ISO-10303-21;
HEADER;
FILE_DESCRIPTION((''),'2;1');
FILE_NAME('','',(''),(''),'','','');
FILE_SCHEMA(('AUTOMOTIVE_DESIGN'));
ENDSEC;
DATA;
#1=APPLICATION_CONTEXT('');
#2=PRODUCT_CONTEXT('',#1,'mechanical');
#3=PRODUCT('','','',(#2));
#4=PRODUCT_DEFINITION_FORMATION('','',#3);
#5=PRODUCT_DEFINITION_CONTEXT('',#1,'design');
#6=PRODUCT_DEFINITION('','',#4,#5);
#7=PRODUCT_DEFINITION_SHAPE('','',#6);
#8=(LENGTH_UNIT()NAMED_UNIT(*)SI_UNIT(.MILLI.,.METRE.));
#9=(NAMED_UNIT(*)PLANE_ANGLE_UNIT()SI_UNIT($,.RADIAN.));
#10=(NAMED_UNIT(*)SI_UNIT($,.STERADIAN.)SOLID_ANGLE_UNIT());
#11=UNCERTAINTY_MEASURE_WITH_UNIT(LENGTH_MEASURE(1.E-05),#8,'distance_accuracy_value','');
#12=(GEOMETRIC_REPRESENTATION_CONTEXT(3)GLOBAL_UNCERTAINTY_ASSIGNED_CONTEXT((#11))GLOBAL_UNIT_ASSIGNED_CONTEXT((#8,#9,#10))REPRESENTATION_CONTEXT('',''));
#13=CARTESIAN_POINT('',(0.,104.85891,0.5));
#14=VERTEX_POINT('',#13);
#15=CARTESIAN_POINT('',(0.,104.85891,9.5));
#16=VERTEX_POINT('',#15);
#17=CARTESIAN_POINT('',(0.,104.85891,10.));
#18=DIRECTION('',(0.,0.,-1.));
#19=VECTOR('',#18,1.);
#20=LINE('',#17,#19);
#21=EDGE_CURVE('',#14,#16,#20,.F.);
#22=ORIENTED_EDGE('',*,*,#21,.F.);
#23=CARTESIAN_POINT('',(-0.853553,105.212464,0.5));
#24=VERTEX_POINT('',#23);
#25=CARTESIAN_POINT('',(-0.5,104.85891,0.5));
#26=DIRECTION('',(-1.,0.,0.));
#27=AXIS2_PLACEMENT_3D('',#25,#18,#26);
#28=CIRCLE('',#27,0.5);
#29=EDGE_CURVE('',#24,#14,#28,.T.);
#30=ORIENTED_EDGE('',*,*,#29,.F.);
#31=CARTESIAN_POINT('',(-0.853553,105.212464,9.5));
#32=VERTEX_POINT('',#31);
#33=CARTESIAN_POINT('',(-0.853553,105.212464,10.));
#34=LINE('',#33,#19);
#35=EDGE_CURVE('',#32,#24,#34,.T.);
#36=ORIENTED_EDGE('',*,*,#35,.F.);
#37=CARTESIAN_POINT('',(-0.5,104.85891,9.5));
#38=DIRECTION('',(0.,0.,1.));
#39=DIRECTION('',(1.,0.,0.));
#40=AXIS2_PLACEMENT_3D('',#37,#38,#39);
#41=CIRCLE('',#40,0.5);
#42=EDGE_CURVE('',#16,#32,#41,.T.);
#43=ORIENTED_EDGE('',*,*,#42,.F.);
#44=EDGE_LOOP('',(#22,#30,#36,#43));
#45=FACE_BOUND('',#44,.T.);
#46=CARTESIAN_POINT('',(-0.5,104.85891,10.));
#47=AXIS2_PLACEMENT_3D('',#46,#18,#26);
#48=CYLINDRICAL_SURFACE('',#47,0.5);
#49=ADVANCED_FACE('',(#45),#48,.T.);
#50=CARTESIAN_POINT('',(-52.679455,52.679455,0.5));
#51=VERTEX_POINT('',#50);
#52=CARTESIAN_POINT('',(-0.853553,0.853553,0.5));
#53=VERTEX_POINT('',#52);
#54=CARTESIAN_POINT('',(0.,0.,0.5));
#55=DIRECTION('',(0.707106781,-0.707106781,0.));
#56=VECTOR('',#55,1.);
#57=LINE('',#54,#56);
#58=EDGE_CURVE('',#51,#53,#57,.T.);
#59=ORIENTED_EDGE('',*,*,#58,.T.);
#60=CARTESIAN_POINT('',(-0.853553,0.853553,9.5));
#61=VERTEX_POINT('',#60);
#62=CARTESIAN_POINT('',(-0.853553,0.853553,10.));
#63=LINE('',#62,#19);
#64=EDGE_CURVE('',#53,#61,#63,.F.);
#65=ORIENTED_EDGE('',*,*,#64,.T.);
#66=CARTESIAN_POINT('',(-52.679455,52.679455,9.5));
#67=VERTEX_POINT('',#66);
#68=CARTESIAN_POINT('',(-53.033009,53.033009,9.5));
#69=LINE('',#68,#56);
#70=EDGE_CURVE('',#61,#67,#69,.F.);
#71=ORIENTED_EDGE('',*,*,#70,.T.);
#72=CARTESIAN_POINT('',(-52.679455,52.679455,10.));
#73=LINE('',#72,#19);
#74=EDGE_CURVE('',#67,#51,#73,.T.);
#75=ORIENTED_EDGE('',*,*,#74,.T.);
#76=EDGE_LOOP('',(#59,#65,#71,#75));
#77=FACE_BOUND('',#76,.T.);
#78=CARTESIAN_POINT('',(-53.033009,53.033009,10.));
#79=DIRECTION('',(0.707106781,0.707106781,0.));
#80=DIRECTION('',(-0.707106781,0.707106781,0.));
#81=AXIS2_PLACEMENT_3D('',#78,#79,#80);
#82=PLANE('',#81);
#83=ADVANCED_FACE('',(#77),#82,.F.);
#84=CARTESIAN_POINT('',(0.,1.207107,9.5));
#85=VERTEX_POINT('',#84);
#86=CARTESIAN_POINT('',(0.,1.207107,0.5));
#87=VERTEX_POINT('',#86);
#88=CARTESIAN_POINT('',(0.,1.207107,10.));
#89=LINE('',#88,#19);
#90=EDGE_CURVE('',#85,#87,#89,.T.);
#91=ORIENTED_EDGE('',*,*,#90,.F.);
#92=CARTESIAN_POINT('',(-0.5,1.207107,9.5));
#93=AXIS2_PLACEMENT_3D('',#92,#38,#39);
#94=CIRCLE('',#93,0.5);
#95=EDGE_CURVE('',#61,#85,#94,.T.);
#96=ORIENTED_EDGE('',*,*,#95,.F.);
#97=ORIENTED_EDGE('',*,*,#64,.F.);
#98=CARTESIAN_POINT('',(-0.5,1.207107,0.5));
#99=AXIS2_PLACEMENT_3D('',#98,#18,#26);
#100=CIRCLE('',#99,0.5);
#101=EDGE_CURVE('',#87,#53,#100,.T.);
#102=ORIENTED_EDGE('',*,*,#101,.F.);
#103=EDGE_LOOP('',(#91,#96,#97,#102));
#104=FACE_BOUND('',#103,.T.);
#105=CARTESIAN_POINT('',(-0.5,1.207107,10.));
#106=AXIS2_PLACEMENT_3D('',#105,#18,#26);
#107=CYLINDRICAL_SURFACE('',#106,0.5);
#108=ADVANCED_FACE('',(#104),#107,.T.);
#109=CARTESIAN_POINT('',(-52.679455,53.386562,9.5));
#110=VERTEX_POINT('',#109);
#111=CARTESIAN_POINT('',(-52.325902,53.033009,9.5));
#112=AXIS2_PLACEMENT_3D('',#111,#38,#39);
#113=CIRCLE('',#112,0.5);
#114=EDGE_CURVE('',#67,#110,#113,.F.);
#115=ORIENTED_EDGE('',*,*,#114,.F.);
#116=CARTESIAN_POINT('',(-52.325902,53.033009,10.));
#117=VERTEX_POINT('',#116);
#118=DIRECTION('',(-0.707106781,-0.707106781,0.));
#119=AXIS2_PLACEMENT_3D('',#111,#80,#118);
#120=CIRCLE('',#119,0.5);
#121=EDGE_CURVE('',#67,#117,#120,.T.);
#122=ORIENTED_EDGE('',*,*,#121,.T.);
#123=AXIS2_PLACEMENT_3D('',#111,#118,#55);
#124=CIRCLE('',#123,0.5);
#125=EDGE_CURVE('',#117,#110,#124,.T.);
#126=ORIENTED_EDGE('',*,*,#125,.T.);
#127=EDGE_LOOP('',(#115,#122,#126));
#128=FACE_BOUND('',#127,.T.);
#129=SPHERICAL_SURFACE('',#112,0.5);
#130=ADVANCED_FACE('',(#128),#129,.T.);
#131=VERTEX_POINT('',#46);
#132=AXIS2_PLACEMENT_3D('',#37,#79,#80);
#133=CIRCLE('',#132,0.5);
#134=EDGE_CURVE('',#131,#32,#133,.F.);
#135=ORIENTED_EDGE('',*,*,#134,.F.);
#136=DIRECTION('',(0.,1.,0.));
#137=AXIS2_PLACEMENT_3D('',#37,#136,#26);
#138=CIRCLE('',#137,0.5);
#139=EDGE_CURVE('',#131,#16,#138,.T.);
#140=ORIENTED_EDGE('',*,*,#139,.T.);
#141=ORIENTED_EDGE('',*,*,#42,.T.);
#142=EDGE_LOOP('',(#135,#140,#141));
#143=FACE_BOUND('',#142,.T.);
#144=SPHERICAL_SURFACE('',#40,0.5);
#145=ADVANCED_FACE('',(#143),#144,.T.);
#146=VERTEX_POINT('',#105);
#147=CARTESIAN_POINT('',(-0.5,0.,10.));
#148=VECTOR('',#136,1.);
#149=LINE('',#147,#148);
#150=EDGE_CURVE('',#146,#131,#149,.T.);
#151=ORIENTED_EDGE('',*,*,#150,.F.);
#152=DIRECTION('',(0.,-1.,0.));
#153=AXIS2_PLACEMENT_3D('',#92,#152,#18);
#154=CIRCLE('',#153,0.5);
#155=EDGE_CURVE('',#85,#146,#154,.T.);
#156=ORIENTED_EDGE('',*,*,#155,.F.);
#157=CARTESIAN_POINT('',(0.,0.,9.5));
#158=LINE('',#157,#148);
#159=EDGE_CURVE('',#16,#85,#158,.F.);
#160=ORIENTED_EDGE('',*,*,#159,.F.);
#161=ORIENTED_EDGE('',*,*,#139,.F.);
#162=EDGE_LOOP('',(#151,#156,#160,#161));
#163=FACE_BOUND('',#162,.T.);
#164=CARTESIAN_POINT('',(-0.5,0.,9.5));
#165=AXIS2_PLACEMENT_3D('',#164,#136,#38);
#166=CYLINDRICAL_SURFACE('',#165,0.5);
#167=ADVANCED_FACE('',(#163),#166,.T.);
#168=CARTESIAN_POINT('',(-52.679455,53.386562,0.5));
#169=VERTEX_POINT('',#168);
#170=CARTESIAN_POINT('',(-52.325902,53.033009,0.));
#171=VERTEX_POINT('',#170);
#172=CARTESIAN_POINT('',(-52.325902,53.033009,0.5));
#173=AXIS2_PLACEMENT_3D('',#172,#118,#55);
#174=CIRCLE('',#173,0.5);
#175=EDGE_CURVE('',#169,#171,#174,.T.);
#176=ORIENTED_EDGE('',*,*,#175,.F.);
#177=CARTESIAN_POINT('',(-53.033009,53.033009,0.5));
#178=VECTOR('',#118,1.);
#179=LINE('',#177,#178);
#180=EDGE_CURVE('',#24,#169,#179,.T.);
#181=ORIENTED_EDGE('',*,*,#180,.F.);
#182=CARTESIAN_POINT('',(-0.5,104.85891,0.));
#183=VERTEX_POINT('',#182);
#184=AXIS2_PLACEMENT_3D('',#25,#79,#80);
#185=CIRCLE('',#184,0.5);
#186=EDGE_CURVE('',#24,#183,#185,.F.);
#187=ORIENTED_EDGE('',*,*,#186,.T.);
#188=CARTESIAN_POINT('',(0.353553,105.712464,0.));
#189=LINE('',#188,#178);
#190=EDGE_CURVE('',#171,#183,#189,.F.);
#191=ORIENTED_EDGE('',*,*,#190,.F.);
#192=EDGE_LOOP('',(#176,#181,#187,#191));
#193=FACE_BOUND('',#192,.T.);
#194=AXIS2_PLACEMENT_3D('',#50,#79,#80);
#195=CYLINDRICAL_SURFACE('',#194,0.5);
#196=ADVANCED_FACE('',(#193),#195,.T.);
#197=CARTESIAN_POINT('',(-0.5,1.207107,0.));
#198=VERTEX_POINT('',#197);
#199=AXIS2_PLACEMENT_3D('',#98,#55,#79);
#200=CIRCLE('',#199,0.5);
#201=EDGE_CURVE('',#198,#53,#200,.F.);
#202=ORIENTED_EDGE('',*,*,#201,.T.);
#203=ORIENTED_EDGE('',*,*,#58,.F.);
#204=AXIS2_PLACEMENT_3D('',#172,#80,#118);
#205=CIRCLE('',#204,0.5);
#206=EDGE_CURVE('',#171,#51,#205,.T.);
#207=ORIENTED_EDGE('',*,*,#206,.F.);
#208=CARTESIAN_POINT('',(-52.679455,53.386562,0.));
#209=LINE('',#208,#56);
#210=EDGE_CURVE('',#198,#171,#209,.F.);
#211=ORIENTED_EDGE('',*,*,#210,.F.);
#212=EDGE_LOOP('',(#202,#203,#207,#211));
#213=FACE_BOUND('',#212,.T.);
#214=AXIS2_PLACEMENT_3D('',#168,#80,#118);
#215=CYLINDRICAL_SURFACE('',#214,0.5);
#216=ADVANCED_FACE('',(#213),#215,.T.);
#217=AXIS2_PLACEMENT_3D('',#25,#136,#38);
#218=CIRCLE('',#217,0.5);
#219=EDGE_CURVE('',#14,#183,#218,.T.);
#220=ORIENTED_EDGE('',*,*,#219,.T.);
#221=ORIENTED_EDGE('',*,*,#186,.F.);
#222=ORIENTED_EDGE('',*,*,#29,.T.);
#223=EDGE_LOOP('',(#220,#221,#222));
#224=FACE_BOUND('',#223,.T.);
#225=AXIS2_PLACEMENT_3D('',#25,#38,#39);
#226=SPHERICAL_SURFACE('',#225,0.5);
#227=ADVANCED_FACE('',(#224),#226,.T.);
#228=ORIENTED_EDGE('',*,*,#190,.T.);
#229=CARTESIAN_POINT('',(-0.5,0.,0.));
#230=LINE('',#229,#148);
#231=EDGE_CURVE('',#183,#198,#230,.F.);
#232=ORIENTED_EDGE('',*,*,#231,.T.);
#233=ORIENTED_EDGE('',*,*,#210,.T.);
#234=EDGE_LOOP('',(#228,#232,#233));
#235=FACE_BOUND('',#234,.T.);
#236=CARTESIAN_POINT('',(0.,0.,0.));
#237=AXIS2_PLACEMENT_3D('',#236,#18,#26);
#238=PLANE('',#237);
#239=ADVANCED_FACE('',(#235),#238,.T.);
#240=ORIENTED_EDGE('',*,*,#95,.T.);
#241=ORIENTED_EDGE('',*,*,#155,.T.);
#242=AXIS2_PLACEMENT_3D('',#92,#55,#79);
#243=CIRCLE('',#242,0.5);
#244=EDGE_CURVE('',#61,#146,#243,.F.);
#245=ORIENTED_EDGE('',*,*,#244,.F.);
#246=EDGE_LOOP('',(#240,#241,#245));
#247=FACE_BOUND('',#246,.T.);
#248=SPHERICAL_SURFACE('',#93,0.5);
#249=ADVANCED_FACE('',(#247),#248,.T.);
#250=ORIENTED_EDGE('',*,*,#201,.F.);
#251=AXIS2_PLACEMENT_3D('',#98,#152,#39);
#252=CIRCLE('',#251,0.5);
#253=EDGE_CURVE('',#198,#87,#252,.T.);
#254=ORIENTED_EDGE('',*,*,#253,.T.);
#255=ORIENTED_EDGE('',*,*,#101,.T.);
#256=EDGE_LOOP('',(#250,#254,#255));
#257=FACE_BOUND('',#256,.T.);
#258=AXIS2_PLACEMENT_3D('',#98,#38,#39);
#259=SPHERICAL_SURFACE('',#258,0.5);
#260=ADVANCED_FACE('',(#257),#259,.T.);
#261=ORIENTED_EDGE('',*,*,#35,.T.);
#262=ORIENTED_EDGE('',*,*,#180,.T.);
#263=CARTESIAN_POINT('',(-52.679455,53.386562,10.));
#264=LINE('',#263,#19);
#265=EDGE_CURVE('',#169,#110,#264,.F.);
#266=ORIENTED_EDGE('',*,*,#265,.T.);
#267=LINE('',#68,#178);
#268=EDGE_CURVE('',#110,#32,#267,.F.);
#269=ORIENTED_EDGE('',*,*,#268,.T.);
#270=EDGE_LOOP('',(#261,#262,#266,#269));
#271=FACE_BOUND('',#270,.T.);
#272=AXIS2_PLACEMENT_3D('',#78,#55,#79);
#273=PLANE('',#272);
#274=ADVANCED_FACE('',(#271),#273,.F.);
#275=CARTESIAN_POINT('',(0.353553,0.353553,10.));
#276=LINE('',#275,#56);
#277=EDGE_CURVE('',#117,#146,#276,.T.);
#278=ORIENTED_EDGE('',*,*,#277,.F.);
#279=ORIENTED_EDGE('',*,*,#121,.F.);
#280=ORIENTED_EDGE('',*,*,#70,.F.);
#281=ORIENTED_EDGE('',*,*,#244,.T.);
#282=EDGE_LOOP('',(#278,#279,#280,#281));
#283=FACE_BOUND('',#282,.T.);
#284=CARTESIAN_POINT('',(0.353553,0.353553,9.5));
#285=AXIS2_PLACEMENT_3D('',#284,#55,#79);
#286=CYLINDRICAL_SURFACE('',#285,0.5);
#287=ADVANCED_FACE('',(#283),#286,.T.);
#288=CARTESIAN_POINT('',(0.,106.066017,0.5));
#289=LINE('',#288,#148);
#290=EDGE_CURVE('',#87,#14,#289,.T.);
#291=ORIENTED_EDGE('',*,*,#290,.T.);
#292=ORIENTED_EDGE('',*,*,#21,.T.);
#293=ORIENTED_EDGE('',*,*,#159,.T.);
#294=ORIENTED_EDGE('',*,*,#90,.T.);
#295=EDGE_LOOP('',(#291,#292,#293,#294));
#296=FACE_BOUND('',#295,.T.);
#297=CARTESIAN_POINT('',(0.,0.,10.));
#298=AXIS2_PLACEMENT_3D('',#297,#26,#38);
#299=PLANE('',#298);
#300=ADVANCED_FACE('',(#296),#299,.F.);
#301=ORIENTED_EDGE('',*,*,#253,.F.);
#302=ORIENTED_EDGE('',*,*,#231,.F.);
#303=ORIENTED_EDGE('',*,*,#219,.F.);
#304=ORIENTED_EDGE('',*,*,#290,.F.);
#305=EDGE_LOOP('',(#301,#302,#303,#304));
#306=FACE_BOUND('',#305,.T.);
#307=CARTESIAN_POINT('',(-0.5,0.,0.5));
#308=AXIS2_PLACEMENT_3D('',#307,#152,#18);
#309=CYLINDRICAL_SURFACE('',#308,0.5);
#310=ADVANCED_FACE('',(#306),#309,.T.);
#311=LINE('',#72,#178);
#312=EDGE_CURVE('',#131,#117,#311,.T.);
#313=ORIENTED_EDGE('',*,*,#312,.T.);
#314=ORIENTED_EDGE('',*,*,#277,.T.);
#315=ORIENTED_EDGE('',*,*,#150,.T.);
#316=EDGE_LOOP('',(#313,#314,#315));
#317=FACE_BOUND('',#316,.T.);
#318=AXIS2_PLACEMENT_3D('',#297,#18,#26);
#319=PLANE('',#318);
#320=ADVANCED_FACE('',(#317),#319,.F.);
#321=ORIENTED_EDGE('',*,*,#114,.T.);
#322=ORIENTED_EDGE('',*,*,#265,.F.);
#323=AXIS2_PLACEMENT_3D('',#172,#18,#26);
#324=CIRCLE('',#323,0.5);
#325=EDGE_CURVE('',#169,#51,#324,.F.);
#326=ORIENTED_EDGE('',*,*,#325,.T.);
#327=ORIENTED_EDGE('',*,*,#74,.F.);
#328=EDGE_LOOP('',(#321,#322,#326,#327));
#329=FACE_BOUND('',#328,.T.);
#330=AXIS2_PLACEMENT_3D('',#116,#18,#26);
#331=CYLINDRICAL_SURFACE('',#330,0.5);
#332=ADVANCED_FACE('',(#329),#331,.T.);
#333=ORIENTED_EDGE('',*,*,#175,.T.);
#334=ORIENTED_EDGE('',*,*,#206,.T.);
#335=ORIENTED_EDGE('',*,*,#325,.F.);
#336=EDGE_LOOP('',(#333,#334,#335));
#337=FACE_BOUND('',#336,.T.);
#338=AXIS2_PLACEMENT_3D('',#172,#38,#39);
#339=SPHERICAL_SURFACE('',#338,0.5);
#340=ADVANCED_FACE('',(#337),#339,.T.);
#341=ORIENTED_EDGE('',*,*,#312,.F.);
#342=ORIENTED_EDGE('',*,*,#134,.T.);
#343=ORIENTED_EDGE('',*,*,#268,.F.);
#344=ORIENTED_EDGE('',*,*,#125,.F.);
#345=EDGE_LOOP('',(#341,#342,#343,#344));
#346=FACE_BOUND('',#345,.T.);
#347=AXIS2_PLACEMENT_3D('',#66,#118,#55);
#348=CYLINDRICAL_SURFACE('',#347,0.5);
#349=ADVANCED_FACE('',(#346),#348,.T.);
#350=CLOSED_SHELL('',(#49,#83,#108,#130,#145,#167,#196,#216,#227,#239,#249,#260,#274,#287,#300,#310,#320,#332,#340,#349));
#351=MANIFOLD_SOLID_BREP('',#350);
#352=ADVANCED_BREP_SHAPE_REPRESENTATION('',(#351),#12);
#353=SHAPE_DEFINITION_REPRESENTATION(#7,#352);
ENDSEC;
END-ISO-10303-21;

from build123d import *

# Parameters (mm, degrees)
EXTRUDE_1_DEPTH = 10
FILLET_1_R      = 0.5


with BuildPart() as part:
    # 草图1 → 凸台-拉伸1 (new body)
    with BuildSketch(Plane.XY):
        Polygon((0, 0), (0, 106.066017178), (-53.033008589, 53.033008589), align=None)
    extrude(amount=EXTRUDE_1_DEPTH)

    # 圆角1
    fillet_1_edges = [part.edges().sort_by_distance(p)[0] for p in [
        (0, 53.033008589, 10),
        (0, 53.033008589, 0),
        (-26.516504294, 79.549512883, 10),
        (-26.516504294, 26.516504294, 0),
        (-26.516504294, 79.549512883, 0),
        (0, 106.066017178, 5),
        (0, 0, 5),
        (-53.033008589, 53.033008589, 5),
        (-26.516504294, 26.516504294, 10),
    ]]
    fillet(fillet_1_edges, radius=FILLET_1_R)


solid = part.part
